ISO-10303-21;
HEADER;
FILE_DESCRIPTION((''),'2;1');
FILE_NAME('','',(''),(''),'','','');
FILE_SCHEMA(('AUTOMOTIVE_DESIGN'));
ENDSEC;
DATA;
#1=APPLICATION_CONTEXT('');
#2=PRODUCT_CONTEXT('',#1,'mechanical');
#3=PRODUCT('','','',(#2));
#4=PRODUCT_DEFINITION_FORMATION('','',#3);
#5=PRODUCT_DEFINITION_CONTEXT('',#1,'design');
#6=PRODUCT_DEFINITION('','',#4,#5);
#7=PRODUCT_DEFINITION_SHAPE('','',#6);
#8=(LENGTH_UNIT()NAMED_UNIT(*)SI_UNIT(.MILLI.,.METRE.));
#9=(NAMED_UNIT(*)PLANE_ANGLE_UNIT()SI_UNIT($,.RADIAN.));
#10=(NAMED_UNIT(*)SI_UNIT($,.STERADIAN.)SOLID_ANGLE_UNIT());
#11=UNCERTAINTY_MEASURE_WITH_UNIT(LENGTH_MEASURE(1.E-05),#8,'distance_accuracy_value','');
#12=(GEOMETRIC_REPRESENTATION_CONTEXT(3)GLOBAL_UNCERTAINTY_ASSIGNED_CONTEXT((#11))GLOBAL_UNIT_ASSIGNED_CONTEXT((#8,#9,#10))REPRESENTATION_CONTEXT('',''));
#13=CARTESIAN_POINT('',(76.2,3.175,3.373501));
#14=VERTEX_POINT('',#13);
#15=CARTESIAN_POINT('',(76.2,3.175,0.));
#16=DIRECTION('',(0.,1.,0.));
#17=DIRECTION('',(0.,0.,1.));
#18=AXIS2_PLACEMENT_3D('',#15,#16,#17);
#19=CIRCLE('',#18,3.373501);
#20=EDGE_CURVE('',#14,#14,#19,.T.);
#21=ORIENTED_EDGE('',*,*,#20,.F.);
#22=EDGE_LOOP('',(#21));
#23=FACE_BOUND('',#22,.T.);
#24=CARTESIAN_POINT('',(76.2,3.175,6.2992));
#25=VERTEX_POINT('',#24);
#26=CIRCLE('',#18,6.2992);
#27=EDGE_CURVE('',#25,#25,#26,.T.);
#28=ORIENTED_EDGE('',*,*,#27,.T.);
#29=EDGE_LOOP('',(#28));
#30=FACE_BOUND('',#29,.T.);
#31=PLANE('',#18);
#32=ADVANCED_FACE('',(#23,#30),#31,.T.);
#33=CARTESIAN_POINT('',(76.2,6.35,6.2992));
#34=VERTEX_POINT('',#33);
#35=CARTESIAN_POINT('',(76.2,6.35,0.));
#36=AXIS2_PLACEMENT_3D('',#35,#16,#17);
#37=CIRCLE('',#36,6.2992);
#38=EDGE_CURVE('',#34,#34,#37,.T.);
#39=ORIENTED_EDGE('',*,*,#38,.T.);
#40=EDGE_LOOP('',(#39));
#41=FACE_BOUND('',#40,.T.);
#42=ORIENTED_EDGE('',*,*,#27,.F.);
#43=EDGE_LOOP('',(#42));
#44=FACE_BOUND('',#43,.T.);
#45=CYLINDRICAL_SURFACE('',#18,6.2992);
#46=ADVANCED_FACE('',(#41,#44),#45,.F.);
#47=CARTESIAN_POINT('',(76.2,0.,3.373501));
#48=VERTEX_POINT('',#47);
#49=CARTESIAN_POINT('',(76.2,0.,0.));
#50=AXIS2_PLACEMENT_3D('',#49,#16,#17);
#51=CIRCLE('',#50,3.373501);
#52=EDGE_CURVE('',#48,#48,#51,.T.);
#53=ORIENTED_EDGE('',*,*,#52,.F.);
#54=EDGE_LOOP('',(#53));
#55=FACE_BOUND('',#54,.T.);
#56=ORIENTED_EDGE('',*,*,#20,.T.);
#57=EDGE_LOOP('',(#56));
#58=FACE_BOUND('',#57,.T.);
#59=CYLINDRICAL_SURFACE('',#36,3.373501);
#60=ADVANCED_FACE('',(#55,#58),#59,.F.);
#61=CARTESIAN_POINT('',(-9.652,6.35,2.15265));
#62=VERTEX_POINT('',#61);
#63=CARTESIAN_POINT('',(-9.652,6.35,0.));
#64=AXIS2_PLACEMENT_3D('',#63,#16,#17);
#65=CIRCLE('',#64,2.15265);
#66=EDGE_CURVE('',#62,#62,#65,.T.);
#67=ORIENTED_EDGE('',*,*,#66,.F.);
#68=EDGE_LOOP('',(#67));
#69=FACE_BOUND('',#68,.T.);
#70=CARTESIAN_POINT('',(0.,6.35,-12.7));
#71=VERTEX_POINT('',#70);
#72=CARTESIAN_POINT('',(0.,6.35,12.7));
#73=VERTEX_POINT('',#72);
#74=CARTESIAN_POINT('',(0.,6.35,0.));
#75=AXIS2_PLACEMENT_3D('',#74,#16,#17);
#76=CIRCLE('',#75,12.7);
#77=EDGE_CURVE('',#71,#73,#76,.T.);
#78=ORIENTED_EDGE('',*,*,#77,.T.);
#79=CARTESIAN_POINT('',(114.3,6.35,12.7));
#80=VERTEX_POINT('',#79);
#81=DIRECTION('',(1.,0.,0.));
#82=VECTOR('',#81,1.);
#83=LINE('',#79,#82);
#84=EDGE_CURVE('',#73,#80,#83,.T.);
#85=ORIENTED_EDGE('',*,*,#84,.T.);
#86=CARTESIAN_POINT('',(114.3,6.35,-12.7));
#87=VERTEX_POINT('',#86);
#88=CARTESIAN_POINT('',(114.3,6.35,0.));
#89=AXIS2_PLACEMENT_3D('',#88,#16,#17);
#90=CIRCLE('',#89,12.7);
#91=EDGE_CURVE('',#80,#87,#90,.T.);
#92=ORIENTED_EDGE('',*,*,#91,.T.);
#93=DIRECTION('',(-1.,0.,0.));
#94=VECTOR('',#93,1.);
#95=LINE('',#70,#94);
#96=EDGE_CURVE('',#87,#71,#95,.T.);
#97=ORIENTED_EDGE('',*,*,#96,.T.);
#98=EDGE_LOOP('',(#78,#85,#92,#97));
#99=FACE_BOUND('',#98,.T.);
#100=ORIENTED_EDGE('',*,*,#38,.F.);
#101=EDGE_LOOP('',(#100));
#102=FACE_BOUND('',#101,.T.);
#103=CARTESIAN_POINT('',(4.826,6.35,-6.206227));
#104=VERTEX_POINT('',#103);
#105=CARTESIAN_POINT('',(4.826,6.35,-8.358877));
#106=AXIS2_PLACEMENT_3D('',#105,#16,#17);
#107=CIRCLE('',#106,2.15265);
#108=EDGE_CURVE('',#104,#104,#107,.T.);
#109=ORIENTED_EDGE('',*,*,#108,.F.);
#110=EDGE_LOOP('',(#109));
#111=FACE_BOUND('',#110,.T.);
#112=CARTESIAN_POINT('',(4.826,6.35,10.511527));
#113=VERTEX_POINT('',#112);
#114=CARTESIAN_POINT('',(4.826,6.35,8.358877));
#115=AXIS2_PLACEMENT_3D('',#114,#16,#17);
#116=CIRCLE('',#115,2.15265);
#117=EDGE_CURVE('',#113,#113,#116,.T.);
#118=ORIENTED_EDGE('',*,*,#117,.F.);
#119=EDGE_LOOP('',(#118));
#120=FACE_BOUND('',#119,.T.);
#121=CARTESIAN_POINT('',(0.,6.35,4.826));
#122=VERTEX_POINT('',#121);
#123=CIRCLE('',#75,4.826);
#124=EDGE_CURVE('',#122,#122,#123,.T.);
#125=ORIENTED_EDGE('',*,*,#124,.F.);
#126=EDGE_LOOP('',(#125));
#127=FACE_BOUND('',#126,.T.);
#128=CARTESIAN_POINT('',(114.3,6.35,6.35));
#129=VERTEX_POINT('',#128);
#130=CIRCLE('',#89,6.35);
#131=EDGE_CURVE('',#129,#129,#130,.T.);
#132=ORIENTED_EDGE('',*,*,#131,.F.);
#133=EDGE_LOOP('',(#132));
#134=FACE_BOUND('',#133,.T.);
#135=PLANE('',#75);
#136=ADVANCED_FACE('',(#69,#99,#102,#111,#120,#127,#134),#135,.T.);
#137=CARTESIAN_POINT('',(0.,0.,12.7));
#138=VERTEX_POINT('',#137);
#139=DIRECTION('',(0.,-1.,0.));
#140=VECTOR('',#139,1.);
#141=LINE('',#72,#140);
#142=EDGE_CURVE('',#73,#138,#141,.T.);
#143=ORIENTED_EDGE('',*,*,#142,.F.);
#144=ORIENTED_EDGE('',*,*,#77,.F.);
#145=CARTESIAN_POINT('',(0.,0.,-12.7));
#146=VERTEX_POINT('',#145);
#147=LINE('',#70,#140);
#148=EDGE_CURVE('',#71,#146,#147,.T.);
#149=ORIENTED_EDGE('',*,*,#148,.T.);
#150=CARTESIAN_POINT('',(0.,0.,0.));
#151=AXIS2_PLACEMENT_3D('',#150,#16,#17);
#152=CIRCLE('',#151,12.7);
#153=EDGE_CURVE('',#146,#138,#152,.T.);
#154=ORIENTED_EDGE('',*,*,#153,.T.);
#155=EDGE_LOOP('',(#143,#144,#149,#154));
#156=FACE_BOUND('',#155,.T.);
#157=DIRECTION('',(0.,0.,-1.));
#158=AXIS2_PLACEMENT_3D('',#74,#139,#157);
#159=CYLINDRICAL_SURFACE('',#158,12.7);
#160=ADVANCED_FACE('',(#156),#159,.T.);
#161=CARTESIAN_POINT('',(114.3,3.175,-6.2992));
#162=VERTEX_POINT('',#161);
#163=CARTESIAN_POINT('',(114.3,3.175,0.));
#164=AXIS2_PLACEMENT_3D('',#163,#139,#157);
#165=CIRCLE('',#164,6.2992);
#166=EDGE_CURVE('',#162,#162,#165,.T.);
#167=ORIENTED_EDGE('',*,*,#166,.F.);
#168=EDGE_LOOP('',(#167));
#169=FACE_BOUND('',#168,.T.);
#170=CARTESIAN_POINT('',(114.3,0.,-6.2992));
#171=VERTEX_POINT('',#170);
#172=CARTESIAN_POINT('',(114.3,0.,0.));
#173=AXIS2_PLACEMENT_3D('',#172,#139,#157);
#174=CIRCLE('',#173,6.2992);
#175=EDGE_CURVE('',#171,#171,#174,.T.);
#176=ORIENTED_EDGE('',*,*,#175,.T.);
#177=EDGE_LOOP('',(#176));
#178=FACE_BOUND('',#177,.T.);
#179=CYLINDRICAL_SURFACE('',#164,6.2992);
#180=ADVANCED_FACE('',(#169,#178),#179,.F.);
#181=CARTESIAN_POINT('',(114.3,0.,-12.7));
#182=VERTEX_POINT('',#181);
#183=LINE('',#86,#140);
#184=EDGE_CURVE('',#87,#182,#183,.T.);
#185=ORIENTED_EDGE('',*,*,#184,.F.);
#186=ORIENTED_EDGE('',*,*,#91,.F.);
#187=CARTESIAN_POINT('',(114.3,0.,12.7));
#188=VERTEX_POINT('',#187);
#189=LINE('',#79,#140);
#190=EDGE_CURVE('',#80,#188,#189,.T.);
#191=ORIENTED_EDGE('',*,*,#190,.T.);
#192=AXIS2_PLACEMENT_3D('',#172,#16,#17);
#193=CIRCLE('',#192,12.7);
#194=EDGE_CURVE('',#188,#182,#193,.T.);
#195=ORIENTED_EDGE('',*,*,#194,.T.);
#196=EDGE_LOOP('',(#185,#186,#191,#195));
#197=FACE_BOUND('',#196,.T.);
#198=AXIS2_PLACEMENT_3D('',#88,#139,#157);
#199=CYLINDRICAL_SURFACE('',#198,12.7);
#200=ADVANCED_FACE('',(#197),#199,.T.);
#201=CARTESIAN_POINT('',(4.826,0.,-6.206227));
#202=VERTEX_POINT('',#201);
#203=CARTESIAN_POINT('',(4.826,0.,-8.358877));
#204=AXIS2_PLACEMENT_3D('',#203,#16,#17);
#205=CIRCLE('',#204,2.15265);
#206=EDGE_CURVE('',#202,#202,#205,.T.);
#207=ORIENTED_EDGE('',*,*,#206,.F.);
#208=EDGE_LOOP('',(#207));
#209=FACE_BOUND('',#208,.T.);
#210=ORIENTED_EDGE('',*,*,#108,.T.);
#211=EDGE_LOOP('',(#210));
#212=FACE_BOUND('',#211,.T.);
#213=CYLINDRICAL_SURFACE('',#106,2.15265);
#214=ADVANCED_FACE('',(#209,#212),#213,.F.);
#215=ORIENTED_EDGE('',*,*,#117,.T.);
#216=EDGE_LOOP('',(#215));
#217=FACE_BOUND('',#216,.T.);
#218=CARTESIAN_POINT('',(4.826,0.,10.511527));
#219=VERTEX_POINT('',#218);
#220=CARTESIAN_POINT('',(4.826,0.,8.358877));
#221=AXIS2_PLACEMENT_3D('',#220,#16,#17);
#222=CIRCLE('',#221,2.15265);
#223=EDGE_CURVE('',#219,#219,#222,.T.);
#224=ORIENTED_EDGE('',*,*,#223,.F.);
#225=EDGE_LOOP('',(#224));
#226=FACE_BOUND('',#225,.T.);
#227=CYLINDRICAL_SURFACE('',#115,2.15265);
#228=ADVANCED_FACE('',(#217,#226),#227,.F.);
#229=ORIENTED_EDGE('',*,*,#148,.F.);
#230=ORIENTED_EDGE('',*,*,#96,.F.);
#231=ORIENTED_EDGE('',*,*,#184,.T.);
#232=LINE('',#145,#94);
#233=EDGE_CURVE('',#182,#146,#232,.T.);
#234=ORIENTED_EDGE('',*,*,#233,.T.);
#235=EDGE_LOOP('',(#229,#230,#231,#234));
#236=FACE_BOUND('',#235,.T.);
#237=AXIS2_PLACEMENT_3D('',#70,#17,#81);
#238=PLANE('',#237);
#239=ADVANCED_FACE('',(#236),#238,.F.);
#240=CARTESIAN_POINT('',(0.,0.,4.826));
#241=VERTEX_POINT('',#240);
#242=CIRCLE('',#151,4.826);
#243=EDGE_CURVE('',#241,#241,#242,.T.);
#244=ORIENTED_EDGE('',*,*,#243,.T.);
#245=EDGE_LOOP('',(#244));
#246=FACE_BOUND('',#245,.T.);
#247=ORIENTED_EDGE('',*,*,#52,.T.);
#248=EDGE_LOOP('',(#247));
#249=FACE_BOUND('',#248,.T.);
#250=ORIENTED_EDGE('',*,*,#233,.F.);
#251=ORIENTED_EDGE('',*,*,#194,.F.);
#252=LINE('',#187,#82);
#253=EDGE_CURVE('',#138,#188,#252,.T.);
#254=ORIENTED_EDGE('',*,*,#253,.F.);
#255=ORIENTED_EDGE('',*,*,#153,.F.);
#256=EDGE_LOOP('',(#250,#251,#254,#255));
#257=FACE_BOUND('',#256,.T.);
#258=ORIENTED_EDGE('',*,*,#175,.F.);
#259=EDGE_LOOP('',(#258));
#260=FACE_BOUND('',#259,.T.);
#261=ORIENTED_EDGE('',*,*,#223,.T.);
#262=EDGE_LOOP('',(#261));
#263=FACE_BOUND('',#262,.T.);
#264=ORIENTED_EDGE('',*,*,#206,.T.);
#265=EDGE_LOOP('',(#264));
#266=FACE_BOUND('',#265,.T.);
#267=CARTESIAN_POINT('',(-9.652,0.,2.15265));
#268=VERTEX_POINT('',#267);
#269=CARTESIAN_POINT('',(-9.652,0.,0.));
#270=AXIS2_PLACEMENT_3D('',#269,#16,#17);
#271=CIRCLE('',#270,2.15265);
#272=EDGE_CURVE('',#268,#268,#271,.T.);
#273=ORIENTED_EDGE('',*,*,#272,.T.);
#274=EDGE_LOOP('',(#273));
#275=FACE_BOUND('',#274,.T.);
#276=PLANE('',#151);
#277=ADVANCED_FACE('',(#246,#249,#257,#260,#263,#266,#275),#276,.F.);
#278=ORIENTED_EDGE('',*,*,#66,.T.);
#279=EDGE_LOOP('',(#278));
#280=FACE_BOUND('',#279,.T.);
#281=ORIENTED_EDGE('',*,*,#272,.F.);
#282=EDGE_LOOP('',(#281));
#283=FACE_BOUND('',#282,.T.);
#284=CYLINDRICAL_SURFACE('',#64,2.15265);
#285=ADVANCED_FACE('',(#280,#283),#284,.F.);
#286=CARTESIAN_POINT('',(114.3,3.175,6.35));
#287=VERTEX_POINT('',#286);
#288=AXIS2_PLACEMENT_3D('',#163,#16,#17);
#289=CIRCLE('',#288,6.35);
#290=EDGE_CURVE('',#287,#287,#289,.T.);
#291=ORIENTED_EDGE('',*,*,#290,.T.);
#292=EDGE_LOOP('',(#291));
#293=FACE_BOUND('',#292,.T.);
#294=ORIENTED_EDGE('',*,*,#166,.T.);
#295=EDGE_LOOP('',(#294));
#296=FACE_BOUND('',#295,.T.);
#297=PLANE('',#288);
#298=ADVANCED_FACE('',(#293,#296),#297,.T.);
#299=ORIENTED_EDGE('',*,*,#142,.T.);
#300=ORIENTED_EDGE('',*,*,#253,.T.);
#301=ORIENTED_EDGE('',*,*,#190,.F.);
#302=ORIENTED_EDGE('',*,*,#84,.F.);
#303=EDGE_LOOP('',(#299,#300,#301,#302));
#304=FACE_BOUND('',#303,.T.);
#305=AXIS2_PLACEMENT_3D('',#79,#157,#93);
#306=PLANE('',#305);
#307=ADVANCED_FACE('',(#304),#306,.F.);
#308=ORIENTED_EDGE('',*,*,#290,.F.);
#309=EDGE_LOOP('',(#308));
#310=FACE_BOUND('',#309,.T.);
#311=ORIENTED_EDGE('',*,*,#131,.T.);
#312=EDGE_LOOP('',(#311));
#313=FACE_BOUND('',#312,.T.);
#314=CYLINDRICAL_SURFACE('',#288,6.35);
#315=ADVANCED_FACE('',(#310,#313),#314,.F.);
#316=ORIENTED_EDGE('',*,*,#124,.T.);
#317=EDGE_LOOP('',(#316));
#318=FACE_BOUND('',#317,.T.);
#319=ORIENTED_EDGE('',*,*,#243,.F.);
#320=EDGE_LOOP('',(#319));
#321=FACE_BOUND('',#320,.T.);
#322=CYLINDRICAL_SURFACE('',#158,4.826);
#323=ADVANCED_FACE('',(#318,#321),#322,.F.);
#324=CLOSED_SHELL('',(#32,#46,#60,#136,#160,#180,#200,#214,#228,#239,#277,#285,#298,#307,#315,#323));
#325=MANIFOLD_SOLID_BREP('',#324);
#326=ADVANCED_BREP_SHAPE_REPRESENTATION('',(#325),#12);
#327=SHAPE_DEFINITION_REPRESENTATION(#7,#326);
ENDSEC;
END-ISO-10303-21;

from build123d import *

# Parameters (mm, degrees)
SKETCH1_R                        = 4.826
BOSS_EXTRUDE1_DEPTH              = 6.35
F_18_0_1695_DIAMETER_HOLE1_D     = 4.3053
F_18_0_1695_DIAMETER_HOLE1_DEPTH = 25.4
F_18_0_1695_DIAMETER_HOLE1_TIP   = 1.293442612
SKETCH4_R                        = 6.2992
SKETCH4_R_2                      = 6.35
CUT_EXTRUDE1_DEPTH               = 3.175
SKETCH5_R                        = 6.2992
CUT_EXTRUDE2_DEPTH               = 3.175
F_17_64_0_26563_DIAMETER_HOLE1_D = 6.747002


with BuildPart() as part:
    # Sketch1 → Boss-Extrude1 (new body)
    with BuildSketch(Plane(origin=(0, 0, 0), x_dir=(1, 0, 0), z_dir=(0, 1, 0))):
        with BuildLine():
            Line((0, 12.7), (114.3, 12.7))
            ThreePointArc((114.3, 12.7), (127, 0), (114.3, -12.7))
            Line((114.3, -12.7), (0, -12.7))
            ThreePointArc((0, -12.7), (-12.7, 0), (0, 12.7))
        make_face()
        Circle(SKETCH1_R, mode=Mode.SUBTRACT)
    extrude(amount=BOSS_EXTRUDE1_DEPTH)

    # #18 (0.1695) Diameter Hole1
    with Locations(Plane(origin=(0, 6.35, 0), x_dir=(1, 0, 0), z_dir=(0, 1, 0))):
        with Locations((-9.652, 0), (4.826, 8.358877197), (4.826, -8.358877197)):
            Hole(F_18_0_1695_DIAMETER_HOLE1_D / 2, depth=F_18_0_1695_DIAMETER_HOLE1_DEPTH)
            with Locations((0, 0, -(F_18_0_1695_DIAMETER_HOLE1_DEPTH + F_18_0_1695_DIAMETER_HOLE1_TIP / 2))):  # 118° drill point
                Cone(0, F_18_0_1695_DIAMETER_HOLE1_D / 2, F_18_0_1695_DIAMETER_HOLE1_TIP, mode=Mode.SUBTRACT)

    # Sketch4 → Cut-Extrude1 (cut)
    with BuildSketch(Plane(origin=(0, 6.35, 0), x_dir=(1, 0, 0), z_dir=(0, 1, 0))):
        with Locations((76.2, 0)):
            Circle(SKETCH4_R)
        with Locations((114.3, 0)):
            Circle(SKETCH4_R_2)
    extrude(amount=-CUT_EXTRUDE1_DEPTH, mode=Mode.SUBTRACT)

    # Sketch5 → Cut-Extrude2 (cut)
    with BuildSketch(Plane.XZ):
        with Locations((114.3, 0)):
            Circle(SKETCH5_R)
    extrude(amount=-CUT_EXTRUDE2_DEPTH, mode=Mode.SUBTRACT)

    # 17/64 (0.26563) Diameter Hole1 (through all)
    with Locations(Plane(origin=(0, 6.35, 0), x_dir=(1, 0, 0), z_dir=(0, 1, 0))):
        with Locations((76.2, 0), (114.3, 0)):
            Hole(F_17_64_0_26563_DIAMETER_HOLE1_D / 2)


solid = part.part
